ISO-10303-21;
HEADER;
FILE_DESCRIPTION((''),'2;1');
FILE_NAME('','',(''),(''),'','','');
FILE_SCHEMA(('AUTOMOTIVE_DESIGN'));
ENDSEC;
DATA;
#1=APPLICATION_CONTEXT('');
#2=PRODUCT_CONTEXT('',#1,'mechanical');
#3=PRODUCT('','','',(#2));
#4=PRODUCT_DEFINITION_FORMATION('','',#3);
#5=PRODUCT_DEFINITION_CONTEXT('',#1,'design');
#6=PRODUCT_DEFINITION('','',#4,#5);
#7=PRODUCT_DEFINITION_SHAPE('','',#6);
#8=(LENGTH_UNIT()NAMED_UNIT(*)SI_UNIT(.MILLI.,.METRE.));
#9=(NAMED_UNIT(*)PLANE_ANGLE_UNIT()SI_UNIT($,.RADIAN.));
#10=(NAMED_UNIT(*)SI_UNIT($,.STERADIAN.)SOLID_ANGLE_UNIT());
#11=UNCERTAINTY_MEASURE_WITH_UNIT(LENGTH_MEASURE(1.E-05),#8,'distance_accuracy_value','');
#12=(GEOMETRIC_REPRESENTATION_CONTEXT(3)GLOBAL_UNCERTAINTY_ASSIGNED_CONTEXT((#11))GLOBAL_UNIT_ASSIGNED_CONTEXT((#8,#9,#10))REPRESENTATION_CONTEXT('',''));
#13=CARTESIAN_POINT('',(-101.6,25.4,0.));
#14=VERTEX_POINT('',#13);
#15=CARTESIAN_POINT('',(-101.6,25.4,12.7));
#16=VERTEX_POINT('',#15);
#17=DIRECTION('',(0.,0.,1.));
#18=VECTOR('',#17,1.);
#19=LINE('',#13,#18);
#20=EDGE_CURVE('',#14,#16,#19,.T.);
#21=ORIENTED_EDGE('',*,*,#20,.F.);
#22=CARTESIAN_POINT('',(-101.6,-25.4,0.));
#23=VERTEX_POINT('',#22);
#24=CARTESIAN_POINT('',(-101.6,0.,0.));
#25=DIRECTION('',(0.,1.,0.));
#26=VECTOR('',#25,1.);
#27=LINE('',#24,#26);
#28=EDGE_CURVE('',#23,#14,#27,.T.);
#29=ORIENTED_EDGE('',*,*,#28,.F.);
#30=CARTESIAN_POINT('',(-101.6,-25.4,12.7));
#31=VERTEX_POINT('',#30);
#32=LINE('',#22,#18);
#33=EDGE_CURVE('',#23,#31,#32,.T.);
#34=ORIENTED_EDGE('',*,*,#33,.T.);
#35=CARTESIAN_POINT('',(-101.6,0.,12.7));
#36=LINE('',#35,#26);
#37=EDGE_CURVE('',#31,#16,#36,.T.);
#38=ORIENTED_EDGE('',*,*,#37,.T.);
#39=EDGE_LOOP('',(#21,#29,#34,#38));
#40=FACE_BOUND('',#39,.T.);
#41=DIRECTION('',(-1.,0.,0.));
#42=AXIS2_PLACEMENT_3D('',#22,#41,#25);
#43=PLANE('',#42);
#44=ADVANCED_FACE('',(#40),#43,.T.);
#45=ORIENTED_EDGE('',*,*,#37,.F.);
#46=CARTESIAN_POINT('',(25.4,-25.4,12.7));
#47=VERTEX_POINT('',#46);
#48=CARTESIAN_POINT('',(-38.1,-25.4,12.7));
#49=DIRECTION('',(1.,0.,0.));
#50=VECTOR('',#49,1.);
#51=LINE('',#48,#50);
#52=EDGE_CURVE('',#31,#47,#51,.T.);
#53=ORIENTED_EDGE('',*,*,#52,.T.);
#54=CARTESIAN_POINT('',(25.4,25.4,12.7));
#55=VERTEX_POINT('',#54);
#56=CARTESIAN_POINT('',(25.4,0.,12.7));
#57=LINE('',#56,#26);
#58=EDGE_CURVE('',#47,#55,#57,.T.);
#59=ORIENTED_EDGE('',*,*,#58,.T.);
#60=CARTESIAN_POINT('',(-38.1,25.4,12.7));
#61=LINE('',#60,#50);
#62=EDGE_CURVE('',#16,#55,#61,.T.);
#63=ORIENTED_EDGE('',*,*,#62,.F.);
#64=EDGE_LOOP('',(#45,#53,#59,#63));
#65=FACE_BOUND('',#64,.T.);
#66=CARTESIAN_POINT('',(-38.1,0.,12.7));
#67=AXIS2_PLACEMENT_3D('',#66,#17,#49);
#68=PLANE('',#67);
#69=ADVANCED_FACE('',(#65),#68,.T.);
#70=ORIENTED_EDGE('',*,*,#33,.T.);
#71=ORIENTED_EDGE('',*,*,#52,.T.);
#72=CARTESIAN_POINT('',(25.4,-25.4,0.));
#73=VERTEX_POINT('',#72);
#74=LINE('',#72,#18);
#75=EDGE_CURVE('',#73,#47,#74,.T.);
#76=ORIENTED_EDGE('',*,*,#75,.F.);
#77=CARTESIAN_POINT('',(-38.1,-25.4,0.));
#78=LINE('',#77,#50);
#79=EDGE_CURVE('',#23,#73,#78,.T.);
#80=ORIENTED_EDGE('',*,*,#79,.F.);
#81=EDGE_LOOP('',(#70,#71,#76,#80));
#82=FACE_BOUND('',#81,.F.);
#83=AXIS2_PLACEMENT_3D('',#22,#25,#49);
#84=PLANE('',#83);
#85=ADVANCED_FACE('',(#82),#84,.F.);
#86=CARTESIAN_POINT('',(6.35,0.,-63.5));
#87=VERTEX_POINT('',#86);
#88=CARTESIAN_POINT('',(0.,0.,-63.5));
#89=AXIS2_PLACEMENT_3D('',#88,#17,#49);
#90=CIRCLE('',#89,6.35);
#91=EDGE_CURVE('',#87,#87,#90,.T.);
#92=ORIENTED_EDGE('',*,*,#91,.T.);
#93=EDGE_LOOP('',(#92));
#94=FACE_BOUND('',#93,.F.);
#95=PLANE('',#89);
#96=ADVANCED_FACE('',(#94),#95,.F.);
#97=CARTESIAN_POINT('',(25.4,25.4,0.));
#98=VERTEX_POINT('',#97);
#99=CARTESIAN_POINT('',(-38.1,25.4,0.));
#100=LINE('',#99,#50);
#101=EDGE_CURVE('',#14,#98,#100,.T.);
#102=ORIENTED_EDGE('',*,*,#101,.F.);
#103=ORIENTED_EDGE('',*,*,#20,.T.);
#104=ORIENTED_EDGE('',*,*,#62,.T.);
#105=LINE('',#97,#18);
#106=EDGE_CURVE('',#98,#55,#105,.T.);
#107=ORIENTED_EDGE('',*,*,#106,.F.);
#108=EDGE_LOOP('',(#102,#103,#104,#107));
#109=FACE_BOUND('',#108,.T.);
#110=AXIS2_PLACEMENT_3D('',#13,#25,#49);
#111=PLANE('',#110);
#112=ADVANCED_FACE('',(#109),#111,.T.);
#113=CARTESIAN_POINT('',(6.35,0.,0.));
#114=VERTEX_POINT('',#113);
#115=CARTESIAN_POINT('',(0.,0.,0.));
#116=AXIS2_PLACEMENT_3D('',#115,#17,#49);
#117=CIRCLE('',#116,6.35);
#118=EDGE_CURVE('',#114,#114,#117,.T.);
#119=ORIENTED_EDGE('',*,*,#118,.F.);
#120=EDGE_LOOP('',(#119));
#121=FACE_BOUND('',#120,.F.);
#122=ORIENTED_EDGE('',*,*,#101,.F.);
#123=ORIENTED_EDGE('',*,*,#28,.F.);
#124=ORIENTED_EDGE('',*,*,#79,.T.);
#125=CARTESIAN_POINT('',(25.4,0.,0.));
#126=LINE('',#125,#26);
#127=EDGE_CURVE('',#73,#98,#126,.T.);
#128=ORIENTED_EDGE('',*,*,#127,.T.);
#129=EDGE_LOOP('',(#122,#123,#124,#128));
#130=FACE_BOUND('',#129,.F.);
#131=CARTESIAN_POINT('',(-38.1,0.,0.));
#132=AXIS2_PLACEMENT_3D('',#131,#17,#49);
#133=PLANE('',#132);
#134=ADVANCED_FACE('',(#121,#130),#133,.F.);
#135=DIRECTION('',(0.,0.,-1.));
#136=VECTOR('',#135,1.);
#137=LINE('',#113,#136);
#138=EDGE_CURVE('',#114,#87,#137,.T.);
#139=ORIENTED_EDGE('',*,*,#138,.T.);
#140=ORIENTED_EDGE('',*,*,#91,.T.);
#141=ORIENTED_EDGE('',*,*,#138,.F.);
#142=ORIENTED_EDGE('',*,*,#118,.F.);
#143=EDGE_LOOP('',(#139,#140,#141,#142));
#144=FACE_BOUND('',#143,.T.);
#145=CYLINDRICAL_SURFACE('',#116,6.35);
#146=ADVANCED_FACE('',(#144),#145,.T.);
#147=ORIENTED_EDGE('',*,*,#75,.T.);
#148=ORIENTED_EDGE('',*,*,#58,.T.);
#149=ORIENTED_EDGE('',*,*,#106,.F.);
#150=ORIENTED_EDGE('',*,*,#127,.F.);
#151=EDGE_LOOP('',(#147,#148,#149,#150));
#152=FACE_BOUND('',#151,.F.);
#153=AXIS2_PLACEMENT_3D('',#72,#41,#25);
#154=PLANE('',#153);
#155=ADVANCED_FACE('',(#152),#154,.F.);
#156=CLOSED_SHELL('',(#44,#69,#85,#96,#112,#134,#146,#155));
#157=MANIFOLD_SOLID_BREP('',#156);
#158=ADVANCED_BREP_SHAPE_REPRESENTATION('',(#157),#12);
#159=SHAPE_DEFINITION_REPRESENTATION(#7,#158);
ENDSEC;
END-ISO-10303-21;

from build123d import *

# Parameters (mm, degrees)
F0_R     = 6.35
F2_DEPTH = 63.5
F1_W     = 127
F1_H     = 50.8
F3_DEPTH = 12.7


with BuildPart() as f2:
    # F0 (on Top) → F2 (new body)
    with BuildSketch(Plane.XY):
        Circle(F0_R)
    extrude(amount=-F2_DEPTH)

    # F1 (on Top) → F3 (join)
    with BuildSketch(Plane.XY):
        with Locations((-38.1, 0)):
            Rectangle(F1_W, F1_H)
    extrude(amount=F3_DEPTH)


solid = f2.part
